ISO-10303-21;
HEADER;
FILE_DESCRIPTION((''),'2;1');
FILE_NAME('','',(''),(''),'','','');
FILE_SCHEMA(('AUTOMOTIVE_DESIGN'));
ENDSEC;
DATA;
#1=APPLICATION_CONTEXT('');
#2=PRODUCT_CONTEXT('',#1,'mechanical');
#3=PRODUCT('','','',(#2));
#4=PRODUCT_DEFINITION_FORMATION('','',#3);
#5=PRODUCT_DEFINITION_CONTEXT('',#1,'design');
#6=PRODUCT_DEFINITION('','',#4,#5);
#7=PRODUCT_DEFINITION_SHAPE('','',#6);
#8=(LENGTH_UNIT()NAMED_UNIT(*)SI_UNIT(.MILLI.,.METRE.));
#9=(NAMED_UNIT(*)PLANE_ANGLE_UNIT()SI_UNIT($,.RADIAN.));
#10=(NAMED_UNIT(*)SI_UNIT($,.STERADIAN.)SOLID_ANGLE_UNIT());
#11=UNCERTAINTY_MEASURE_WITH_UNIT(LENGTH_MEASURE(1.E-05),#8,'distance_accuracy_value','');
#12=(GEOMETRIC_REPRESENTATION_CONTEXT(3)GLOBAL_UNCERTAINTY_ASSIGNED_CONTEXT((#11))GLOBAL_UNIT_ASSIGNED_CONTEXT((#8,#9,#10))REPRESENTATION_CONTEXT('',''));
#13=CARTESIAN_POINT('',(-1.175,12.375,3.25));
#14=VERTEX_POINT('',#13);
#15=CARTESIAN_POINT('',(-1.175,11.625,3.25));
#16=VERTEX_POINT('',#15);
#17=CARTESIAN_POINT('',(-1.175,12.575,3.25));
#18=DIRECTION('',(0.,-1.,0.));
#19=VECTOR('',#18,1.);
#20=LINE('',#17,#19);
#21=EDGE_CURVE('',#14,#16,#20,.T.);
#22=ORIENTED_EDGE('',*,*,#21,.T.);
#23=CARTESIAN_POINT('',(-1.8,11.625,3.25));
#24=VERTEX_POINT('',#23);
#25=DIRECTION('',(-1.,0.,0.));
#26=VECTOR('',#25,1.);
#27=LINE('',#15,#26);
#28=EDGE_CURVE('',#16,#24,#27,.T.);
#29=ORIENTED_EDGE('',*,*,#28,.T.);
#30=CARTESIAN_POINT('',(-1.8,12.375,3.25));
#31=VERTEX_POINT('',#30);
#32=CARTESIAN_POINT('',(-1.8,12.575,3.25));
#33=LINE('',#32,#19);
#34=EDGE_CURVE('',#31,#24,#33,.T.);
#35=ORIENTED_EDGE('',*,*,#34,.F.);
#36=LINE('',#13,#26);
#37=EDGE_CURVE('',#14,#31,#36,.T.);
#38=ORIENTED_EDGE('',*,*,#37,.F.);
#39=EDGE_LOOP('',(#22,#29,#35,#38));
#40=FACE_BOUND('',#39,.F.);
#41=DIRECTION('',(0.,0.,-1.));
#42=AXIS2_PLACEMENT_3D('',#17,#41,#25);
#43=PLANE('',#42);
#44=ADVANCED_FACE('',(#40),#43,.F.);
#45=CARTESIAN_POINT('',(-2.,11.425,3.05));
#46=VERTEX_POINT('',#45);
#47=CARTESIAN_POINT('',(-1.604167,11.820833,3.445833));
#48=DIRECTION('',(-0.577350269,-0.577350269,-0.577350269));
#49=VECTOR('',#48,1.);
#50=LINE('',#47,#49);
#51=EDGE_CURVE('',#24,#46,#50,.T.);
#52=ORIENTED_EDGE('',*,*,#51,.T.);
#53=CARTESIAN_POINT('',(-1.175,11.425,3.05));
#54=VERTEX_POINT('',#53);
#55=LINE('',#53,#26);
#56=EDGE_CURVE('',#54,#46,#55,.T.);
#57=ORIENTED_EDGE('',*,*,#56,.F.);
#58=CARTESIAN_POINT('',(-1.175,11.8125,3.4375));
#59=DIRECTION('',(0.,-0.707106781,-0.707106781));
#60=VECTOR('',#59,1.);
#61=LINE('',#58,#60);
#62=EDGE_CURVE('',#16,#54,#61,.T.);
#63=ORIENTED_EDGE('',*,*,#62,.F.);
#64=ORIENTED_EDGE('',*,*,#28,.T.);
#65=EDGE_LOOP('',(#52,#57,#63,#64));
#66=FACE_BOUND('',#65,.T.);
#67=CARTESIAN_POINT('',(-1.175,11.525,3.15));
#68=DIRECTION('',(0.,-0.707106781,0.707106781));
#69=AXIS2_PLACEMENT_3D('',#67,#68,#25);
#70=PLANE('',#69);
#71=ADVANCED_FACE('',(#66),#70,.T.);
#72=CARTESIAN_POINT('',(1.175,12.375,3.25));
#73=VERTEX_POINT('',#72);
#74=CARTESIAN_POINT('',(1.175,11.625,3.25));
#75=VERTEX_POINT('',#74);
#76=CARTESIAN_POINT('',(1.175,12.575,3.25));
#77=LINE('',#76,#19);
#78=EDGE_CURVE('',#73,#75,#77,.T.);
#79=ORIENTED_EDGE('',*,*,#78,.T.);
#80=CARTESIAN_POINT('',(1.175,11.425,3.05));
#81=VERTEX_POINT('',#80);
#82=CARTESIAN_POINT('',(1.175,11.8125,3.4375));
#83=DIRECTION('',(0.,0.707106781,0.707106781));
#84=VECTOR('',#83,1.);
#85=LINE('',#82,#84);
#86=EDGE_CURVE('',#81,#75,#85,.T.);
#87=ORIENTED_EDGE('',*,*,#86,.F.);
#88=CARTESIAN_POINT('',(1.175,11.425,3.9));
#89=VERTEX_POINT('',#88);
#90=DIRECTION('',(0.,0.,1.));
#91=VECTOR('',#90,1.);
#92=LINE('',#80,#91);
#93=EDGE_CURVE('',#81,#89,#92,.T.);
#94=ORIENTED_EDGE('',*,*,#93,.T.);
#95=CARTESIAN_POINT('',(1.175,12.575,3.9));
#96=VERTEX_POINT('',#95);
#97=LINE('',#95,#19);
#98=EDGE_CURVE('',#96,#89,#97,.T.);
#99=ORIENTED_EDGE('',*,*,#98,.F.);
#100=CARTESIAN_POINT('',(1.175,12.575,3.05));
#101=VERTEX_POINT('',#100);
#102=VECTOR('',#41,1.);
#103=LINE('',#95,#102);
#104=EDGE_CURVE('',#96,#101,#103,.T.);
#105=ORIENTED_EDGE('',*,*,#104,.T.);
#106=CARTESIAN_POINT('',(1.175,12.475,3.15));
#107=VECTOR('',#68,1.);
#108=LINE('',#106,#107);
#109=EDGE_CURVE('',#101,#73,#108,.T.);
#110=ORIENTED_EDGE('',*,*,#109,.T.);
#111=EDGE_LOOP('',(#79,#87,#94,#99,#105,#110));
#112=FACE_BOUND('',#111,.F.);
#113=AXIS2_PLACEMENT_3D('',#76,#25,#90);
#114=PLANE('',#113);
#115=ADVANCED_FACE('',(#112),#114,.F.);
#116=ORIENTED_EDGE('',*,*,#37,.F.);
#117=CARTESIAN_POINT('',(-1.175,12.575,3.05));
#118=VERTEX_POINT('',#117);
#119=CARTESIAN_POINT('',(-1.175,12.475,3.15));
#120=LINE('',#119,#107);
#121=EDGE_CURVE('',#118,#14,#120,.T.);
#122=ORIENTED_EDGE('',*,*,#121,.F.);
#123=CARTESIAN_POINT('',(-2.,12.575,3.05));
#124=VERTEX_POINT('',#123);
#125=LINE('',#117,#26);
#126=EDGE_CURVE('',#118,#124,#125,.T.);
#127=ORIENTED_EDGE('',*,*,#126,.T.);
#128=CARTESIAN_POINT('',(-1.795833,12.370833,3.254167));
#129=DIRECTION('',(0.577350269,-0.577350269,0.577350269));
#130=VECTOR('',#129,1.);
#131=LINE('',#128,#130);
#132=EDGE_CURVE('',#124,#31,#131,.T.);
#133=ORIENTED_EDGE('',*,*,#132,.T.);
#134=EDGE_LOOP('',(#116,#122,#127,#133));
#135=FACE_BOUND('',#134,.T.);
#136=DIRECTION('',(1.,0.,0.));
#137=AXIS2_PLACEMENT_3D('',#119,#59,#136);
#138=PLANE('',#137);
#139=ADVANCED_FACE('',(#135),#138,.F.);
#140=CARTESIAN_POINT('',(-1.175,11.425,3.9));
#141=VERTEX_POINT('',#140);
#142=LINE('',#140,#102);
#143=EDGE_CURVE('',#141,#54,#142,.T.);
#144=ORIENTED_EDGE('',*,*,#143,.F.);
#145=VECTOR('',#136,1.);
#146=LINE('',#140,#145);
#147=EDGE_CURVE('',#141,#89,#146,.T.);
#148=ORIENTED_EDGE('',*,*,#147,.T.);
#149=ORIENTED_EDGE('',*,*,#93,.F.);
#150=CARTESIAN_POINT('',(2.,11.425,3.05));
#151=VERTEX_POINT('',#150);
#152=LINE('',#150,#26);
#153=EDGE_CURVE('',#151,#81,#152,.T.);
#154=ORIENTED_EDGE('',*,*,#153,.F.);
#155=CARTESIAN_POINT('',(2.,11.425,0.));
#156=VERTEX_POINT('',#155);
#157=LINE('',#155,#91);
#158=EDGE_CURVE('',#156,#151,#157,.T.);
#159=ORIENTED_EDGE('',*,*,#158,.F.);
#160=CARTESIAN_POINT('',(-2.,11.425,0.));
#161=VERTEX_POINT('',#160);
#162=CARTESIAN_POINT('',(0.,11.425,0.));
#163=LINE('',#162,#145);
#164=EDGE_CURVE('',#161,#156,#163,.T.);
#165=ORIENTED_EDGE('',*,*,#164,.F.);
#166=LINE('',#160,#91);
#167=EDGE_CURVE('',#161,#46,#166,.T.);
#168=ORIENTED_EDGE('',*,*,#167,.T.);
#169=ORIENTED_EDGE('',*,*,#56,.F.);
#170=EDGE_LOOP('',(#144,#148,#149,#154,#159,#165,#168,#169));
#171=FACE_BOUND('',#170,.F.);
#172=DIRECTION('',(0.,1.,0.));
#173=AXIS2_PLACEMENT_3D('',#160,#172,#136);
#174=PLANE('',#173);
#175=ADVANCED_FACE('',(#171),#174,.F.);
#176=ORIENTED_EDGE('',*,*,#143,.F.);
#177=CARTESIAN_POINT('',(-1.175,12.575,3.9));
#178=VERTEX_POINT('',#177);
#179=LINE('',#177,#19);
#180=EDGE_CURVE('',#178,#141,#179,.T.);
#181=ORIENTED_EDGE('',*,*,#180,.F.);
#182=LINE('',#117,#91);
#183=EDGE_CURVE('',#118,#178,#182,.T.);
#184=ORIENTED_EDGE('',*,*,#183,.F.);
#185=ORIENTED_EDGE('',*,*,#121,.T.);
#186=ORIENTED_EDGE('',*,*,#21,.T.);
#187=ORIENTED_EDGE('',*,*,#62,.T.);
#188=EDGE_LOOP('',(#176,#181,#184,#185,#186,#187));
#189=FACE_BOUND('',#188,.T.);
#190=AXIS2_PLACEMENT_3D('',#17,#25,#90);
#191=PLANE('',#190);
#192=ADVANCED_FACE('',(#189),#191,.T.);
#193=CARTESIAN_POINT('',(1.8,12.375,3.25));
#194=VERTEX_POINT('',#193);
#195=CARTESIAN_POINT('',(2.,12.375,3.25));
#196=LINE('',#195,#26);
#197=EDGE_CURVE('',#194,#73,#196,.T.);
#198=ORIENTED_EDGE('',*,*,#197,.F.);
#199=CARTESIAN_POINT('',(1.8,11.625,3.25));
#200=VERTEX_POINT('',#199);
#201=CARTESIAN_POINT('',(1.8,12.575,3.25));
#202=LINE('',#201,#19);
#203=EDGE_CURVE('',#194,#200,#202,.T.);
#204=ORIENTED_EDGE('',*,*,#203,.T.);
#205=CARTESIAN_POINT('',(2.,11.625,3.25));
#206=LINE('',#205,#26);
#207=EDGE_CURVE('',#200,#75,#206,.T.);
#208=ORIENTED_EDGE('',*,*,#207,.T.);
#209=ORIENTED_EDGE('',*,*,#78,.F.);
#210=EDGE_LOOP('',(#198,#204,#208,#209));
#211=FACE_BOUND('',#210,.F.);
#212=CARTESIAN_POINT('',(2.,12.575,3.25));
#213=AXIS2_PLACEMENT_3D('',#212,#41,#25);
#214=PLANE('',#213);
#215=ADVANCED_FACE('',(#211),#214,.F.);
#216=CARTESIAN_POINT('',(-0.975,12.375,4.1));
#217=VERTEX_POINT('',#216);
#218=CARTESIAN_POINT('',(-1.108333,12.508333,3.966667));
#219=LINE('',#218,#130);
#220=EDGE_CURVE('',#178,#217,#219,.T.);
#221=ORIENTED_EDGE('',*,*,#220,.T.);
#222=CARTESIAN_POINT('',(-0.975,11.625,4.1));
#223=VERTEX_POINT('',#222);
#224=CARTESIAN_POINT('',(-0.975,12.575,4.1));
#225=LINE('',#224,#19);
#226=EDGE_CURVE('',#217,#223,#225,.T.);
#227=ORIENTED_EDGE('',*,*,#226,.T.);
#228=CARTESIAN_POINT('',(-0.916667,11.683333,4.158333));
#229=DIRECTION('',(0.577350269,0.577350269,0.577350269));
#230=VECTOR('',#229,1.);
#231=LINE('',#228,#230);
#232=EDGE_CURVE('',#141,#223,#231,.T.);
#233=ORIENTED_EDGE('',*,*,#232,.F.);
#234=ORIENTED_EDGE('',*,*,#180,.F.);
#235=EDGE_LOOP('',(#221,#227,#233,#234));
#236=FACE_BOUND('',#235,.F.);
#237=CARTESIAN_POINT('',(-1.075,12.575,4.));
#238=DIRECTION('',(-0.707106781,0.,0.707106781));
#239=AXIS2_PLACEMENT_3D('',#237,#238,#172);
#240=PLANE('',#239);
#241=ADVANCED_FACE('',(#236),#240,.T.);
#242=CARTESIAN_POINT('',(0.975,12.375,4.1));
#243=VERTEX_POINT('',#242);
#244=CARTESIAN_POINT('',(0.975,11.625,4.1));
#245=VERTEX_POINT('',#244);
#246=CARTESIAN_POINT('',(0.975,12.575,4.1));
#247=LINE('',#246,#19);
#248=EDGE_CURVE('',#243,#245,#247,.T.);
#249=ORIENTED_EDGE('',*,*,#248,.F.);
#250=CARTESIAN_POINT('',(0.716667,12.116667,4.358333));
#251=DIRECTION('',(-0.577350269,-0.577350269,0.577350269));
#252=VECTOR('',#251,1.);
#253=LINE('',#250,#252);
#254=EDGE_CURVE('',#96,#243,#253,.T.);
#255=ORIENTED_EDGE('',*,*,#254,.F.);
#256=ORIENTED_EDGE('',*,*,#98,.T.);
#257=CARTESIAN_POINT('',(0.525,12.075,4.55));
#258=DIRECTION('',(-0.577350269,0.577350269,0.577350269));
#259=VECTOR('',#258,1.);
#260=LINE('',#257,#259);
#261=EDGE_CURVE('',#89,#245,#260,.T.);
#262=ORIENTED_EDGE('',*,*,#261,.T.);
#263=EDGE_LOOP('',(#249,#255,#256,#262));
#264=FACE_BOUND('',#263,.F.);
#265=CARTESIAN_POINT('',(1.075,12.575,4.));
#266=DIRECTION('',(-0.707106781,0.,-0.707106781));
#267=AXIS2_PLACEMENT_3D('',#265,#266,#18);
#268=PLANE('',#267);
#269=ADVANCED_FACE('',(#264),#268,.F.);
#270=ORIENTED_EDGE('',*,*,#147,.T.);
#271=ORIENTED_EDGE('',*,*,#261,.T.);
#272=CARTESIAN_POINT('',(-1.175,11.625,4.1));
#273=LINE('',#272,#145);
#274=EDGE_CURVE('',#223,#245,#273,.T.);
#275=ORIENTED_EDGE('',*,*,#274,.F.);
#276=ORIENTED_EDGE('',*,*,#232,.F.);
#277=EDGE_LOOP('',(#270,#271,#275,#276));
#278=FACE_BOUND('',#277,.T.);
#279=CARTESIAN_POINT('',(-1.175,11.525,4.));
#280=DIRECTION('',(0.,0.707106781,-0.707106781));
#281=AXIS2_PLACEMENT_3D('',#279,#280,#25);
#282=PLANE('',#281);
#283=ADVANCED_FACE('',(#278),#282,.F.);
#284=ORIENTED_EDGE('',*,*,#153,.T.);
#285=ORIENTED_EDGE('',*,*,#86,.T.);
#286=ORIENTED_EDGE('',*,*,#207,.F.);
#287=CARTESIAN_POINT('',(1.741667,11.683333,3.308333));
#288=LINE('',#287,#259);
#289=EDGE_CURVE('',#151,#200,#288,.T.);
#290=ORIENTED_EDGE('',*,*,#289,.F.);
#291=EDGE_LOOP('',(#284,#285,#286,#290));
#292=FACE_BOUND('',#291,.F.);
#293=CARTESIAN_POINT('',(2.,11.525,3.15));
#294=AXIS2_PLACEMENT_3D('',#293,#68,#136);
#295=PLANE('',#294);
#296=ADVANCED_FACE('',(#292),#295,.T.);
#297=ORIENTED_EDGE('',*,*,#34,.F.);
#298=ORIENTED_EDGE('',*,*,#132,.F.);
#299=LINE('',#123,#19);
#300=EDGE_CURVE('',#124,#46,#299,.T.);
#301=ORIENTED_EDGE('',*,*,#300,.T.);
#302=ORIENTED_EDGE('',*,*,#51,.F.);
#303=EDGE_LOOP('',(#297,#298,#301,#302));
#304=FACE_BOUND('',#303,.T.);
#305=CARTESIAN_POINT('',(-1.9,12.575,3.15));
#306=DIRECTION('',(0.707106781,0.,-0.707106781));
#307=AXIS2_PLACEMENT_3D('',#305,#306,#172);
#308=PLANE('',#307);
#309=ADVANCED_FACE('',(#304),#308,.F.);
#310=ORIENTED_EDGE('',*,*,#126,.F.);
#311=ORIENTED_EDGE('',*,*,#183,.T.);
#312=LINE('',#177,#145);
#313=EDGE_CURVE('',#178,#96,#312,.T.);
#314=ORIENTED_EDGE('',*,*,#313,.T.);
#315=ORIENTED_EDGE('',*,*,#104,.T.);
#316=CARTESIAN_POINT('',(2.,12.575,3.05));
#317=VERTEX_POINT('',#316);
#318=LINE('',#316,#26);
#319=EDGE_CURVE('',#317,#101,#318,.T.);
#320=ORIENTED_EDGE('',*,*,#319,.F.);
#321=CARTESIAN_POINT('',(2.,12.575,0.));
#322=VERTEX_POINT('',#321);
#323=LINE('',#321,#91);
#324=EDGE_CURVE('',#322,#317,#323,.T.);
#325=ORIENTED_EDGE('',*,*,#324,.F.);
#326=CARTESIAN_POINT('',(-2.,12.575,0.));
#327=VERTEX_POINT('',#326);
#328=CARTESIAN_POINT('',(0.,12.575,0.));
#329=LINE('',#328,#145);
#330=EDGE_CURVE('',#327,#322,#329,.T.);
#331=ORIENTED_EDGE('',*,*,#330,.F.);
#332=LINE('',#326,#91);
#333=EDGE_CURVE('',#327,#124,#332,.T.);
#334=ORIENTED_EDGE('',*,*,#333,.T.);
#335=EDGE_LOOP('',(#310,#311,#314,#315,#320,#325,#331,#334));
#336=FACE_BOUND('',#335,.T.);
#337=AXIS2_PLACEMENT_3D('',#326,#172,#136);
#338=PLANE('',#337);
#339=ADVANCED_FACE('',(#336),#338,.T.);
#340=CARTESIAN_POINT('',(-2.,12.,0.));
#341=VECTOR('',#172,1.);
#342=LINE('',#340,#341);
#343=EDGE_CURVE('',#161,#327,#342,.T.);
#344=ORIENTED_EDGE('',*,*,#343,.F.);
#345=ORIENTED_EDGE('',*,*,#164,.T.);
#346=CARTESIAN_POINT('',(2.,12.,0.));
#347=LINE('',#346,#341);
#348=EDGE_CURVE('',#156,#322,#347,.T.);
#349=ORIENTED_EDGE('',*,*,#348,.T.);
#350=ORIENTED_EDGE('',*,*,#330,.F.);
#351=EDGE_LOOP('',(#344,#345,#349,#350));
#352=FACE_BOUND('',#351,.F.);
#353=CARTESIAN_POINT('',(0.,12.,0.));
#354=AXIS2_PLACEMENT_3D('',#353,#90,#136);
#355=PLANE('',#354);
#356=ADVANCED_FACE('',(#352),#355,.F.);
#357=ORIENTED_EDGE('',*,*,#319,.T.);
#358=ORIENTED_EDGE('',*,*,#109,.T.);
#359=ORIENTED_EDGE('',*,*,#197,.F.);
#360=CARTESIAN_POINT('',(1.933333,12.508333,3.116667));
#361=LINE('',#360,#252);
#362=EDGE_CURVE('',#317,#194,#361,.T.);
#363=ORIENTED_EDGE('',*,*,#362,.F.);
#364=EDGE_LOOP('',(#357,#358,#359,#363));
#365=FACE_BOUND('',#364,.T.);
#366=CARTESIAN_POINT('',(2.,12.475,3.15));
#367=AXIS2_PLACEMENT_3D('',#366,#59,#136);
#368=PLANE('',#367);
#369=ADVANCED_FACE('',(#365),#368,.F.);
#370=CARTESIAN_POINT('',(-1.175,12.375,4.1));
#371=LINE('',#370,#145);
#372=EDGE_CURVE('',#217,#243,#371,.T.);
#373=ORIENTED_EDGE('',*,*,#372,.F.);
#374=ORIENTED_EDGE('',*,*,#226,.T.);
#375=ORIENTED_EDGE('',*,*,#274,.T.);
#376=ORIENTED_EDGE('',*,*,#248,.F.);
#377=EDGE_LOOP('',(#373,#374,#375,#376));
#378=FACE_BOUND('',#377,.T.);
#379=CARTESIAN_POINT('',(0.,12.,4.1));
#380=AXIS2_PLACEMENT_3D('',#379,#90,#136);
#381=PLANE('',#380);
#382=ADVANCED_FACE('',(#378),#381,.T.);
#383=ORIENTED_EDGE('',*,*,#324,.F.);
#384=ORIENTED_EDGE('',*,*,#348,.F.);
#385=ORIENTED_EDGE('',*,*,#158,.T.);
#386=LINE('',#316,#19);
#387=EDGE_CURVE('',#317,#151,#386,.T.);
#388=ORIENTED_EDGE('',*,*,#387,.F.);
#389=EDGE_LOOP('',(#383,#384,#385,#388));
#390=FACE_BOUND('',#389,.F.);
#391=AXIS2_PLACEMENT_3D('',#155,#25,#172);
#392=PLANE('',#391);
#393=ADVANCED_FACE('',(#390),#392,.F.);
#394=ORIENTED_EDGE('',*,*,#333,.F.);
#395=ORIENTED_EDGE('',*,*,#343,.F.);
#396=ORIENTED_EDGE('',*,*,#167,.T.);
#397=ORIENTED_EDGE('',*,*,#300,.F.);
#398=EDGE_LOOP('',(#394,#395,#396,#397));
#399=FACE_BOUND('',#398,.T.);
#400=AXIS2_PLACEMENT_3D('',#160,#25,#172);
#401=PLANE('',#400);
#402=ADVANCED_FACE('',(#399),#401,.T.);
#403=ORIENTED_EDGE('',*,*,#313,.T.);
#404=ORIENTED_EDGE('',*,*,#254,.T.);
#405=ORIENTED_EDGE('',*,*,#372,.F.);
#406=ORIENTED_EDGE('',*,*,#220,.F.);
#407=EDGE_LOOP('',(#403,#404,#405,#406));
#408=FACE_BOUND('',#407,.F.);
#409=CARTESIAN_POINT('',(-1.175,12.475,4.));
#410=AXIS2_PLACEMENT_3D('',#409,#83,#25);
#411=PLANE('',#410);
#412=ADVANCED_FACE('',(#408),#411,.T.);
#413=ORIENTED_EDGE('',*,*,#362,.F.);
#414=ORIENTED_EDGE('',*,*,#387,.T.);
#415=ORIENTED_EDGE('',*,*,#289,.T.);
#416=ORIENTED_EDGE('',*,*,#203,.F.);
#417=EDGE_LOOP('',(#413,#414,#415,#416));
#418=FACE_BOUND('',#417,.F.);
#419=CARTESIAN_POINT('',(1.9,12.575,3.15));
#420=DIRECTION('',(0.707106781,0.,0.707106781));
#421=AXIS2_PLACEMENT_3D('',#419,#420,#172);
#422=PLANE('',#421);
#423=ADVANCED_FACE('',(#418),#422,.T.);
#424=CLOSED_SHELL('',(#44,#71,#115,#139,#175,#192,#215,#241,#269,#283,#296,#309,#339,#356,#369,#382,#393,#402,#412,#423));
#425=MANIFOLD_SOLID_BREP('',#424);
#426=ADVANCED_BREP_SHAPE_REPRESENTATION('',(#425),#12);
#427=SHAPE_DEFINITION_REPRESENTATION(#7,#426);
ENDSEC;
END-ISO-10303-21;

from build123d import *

# Parameters (mm, degrees)
SKETCH008_W     = 4
SKETCH008_H     = 1.15
PAD005_DEPTH    = 4.1
SKETCH009_W     = 0.825
SKETCH009_H     = 0.85
POCKET002_DEPTH = 5
CHAMFER005_SIZE = 0.2


with BuildPart() as part:
    # Sketch008 → Pad005 (new body)
    with BuildSketch(Plane.XY):
        Rectangle(SKETCH008_W, SKETCH008_H)
    extrude(amount=PAD005_DEPTH)

    # Sketch009 (on Face1 of Pad005) → Pocket002 (cut)
    with BuildSketch(Plane(origin=(0, 0.575, 0), x_dir=(-1, 0, 0), z_dir=(0, 1, 0))):
        with Locations((-1.5875, 3.675)):
            Rectangle(SKETCH009_W, SKETCH009_H)
        with Locations((1.5875, 3.675)):
            Rectangle(SKETCH009_W, SKETCH009_H)
    extrude(amount=-POCKET002_DEPTH, mode=Mode.SUBTRACT)

    # Chamfer005
    chamfer005_edges = [part.edges().sort_by_distance(p)[0] for p in [
        (0, 0.575, 4.1),
        (0, -0.575, 4.1),
        (1.5875, 0.575, 3.25),
        (-1.5875, 0.575, 3.25),
        (-1.5875, -0.575, 3.25),
        (1.5875, -0.575, 3.25),
        (2, 0, 3.25),
        (-2, 0, 3.25),
        (1.175, 0, 4.1),
        (-1.175, 0, 4.1),
    ]]
    chamfer(chamfer005_edges, length=CHAMFER005_SIZE)


with BuildPart() as part_1:
    # Body036 placement: moved
    add(part.part.moved(Location((0, 12, 0))))


solid = part_1.part
